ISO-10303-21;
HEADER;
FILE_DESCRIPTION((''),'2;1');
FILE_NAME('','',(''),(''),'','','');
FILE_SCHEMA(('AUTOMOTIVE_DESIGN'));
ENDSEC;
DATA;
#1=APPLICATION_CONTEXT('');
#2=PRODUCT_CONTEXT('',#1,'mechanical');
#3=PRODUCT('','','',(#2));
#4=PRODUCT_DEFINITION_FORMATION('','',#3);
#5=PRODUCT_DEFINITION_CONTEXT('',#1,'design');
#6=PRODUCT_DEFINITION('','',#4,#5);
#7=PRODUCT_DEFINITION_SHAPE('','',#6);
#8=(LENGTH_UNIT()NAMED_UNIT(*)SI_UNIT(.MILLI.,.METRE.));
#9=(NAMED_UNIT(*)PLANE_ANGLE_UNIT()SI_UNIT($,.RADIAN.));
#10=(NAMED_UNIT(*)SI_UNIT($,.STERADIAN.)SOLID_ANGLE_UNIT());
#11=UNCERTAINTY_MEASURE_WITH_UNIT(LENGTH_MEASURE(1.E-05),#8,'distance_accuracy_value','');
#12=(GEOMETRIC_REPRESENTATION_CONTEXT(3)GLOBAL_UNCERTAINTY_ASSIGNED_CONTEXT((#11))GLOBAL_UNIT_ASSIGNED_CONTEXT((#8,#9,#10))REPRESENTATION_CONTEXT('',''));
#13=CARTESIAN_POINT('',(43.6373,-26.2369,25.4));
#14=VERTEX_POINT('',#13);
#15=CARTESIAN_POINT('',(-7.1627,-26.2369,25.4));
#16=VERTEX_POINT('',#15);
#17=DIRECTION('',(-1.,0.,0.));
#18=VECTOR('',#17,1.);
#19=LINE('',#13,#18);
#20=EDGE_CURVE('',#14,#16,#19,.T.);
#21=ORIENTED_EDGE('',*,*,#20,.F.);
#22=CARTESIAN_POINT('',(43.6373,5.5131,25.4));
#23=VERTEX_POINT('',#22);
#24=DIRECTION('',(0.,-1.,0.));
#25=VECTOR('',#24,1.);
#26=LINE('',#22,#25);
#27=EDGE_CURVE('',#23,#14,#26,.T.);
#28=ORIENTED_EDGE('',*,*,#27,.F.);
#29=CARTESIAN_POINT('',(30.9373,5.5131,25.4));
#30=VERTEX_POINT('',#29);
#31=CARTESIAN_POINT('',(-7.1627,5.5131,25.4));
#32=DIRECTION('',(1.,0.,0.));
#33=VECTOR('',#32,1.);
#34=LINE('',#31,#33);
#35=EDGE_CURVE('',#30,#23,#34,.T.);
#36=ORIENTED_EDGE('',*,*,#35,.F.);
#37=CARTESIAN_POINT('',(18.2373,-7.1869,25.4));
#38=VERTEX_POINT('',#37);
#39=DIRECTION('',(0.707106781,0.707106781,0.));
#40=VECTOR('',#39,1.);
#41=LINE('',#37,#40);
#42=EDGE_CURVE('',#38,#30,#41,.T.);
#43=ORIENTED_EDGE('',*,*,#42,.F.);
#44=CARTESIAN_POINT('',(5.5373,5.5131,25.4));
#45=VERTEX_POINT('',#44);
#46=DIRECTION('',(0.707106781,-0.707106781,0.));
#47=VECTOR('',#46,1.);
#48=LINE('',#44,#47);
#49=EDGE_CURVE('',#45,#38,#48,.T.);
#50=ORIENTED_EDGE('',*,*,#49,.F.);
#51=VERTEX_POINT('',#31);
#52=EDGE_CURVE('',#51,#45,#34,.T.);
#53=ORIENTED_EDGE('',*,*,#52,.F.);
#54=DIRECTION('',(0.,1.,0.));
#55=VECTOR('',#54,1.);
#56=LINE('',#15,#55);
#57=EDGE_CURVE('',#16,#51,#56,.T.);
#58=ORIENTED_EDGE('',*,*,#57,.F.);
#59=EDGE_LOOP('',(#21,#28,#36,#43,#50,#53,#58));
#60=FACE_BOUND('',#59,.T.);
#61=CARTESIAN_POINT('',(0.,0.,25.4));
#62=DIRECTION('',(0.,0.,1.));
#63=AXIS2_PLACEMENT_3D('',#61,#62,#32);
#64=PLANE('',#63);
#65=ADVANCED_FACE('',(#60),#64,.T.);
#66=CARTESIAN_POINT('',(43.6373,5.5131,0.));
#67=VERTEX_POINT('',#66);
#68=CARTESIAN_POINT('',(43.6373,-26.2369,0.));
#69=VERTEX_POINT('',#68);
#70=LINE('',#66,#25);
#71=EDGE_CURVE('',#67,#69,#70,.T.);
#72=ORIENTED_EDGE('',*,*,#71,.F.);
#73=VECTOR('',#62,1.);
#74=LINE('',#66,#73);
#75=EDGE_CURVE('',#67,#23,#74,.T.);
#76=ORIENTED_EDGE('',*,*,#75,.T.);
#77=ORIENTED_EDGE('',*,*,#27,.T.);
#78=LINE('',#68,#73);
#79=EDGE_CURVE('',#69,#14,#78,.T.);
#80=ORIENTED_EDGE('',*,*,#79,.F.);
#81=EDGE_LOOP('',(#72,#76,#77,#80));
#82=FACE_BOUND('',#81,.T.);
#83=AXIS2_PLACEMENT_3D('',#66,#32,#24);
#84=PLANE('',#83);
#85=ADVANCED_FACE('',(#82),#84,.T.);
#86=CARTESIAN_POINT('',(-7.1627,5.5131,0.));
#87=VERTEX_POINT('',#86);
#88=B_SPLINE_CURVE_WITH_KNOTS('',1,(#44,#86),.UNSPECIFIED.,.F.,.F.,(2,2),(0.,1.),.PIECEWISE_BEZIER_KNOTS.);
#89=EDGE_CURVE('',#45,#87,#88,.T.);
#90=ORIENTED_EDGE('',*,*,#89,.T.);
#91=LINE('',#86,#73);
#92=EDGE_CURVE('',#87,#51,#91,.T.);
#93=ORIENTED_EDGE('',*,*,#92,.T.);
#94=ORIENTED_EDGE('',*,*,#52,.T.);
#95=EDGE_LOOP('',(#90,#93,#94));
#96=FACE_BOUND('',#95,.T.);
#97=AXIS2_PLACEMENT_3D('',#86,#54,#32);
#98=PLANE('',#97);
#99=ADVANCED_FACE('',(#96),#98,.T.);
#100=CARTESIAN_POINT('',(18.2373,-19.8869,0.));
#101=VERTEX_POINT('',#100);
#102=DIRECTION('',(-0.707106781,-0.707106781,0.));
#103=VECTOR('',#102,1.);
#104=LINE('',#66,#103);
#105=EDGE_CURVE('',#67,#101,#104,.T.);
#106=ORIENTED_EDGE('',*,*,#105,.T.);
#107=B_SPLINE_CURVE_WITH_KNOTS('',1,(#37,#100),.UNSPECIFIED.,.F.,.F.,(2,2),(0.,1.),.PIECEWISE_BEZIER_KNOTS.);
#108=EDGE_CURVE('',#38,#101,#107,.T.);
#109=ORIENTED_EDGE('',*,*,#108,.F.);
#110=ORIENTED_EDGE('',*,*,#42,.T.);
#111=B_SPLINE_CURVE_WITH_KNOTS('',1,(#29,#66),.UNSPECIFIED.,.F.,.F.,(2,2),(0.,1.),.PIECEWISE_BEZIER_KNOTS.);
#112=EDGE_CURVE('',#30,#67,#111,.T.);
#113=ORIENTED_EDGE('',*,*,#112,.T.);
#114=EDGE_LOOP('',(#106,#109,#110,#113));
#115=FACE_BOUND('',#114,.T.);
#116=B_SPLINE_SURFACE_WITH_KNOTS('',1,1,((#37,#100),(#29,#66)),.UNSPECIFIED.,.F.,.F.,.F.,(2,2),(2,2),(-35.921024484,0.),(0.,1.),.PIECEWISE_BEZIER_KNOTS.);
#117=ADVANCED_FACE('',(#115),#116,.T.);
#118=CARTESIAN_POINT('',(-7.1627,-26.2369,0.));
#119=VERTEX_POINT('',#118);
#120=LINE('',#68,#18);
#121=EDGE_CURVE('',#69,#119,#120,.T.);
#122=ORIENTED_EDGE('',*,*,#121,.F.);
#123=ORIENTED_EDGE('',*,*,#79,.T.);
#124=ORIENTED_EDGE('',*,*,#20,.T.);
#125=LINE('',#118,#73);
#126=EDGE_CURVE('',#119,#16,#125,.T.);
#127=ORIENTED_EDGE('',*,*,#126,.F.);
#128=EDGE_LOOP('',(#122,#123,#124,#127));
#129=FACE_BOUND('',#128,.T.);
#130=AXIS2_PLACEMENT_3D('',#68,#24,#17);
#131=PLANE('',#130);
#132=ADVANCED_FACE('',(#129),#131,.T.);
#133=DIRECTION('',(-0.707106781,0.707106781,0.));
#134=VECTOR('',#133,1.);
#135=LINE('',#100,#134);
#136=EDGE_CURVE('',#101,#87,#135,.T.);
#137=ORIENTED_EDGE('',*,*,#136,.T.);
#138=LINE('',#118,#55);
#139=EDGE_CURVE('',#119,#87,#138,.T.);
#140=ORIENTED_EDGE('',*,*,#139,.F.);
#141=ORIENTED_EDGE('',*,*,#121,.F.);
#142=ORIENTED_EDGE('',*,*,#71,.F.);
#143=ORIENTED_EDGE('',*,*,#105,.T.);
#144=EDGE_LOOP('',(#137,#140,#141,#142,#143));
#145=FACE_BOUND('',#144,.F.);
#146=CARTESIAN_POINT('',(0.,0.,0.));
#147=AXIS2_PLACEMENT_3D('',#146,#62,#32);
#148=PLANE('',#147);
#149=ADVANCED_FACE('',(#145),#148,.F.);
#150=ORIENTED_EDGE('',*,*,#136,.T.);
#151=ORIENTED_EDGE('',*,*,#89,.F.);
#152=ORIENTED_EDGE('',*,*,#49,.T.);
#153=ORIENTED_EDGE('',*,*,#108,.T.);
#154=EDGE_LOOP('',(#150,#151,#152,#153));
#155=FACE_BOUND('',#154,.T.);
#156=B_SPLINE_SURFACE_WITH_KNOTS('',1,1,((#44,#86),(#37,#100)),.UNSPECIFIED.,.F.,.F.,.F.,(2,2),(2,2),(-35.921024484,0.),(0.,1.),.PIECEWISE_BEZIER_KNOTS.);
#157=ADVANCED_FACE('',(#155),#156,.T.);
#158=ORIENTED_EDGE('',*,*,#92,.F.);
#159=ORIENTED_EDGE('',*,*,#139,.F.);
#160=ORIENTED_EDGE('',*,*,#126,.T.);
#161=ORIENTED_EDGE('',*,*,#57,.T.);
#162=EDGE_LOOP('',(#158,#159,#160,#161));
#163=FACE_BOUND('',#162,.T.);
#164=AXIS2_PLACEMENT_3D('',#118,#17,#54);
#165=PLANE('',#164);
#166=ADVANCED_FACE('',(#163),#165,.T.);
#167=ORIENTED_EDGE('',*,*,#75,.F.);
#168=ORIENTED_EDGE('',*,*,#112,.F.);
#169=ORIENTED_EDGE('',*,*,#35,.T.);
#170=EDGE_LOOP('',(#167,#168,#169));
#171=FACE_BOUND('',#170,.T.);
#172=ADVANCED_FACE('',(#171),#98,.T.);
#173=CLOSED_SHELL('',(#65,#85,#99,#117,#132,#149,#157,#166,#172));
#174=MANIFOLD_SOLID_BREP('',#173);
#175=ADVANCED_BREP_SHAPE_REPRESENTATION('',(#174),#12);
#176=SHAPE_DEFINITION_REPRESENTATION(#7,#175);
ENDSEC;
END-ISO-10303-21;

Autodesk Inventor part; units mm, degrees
ref_plane "YZ Plane" through (0, 0, 0) normal (1, 0, 0) x (0, 1, 0)
ref_plane "XZ Plane" through (0, 0, 0) normal (0, 1, 0) x (-1, 0, 0)
ref_plane "XY Plane" through (0, 0, 0) normal (0, 0, 1) x (1, 0, 0)
sketch "Sketch1" plane through (0, 0, 0) normal (0, 0, 1) x (1, 0, 0)
  line L0 (-7.1627, 5.5131) -> (43.6373, 5.5131)
  line L1 (43.6373, 5.5131) -> (43.6373, -26.2369)
  line L2 (43.6373, -26.2369) -> (-7.1627, -26.2369)
  line L3 (-7.1627, -26.2369) -> (-7.1627, 5.5131)
  point P0 (0, 0)
  dimension "d0" = 50.8
  dimension "d1" = 31.75
extrude "Extrusion1" add sketch "Sketch1" along normal blind 25.4
sketch "Sketch4" plane through (0, 0, 0) normal (0, 0, -1) x (-1, 0, 0)
  line L0 (-43.6373, 5.5131) -> (7.1627, 5.5131) projected
  line L1 (-43.6373, 5.5131) -> (-18.2373, -19.8869)
  line L2 (-18.2373, -19.8869) -> (7.1627, 5.5131)
  line L3 (7.1627, 5.5131) -> (-43.6373, 5.5131)
  line L4 (-43.6373, -26.2369) -> (7.1627, -26.2369) projected
  line L5 (7.1627, -26.2369) -> (7.1627, 5.5131) projected
  point P0 (0, 0)
  dimension "d10" = 6.35
  dimension "d11" = 25.4
  dimension "d12" = 0
  dimension "d13" = 0
sketch "Sketch6" plane through (0, 0, 25.4) normal (0, 0, 1) x (1, 0, 0)
  line L0 (43.6373, 5.5131) -> (-7.1627, 5.5131) projected
  line L1 (5.5373, 5.5131) -> (18.2373, -7.1869)
  line L2 (18.2373, -7.1869) -> (30.9373, 5.5131)
  line L3 (5.5373, 5.5131) -> (30.9373, 5.5131)
  line L4 (-7.1627, -26.2369) -> (43.6373, -26.2369) projected
  line L5 (43.6373, -26.2369) -> (43.6373, 5.5131) projected
  point P0 (0, 0)
  dimension "d14" = 12.7
  dimension "d15" = 12.7
  dimension "d16" = 19.05
  dimension "d17" = 25.4
loft "Loft1" cut profiles "Sketch6", "Sketch4"
